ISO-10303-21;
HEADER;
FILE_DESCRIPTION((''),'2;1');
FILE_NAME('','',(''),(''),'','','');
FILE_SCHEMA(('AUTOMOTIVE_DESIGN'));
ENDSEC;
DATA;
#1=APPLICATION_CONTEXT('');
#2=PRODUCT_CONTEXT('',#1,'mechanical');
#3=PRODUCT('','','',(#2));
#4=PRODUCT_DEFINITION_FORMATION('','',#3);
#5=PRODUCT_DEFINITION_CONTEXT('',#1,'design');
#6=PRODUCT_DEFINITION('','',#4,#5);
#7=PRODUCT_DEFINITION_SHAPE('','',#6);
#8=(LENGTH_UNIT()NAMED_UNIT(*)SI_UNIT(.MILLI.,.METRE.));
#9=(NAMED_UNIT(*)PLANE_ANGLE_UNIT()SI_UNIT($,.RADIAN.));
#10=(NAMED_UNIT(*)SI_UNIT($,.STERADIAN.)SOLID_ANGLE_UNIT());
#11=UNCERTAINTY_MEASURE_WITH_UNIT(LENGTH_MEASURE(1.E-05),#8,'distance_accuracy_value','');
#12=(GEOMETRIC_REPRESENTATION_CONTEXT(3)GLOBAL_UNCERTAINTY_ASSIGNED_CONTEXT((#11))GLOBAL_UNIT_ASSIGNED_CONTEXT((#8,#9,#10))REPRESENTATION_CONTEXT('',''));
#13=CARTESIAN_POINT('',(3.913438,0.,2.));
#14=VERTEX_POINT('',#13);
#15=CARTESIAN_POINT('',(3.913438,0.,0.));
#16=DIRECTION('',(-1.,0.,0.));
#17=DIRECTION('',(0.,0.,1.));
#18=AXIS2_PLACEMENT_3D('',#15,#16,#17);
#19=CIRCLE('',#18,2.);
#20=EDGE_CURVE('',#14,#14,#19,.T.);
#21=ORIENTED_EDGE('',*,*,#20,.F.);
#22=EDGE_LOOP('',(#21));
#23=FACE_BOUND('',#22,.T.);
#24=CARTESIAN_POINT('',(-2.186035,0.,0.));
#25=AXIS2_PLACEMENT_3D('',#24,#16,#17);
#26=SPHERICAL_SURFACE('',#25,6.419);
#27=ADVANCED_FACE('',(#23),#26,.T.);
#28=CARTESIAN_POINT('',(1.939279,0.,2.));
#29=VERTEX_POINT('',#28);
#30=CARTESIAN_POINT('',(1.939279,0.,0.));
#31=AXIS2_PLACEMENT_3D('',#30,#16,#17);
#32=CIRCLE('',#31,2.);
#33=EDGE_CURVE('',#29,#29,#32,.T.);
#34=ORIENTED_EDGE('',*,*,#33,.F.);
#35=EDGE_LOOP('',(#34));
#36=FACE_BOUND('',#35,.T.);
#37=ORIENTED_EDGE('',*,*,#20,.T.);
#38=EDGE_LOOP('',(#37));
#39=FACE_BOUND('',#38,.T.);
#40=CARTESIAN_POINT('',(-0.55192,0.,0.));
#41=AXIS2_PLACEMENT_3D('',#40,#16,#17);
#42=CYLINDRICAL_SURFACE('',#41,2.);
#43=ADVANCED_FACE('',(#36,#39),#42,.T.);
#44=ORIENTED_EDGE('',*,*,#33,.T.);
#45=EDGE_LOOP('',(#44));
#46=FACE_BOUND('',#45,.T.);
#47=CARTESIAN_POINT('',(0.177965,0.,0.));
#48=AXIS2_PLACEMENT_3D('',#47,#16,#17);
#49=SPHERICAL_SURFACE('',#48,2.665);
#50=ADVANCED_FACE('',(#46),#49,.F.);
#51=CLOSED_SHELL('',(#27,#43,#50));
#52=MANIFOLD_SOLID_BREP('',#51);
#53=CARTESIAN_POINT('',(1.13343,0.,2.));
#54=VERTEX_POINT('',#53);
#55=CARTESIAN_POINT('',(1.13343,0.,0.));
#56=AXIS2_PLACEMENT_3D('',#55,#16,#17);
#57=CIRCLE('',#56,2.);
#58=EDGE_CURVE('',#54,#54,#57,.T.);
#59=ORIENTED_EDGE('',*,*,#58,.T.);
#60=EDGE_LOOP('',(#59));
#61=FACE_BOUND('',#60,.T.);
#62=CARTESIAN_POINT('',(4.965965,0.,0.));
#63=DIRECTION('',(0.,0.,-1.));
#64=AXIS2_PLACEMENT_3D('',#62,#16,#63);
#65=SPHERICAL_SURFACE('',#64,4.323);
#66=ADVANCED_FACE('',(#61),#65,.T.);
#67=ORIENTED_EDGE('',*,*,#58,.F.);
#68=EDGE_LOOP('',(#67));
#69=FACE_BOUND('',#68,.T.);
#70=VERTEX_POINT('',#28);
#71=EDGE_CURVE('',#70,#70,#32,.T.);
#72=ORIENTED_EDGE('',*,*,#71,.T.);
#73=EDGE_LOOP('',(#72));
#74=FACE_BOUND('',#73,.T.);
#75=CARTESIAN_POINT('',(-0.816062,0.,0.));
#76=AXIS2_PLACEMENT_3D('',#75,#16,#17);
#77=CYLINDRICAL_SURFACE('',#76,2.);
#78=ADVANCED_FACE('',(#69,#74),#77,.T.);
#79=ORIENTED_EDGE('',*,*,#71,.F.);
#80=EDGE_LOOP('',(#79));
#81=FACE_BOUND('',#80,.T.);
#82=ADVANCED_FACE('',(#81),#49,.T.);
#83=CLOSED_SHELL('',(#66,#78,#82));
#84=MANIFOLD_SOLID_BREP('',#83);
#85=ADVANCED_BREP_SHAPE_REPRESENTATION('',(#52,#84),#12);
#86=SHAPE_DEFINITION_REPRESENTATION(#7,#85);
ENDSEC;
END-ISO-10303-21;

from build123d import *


with BuildPart() as part:
    # 草图1 one side → 旋转1 (revolve)
    with BuildSketch(Plane(origin=(0, 0, 0), x_dir=(1, 0, 0), z_dir=(0, 1, 0)), mode=Mode.PRIVATE) as revolve_1_sk:
        with BuildLine():
            ThreePointArc((1.133429728, 2), (0.76737148, 1.029630437), (0.642965311, 0))
            Line((0.642965311, 0), (2.842965311, 0))
            ThreePointArc((2.842965311, 0), (2.606558041, 1.097343316), (1.939278742, 2))
            Line((1.939278742, 2), (1.133429728, 2))
        make_face()
    revolve(revolve_1_sk.sketch.rotate(Axis((-0.816062176, 0, 0), (1, 0, 0)), 180), axis=Axis((-0.816062176, 0, 0), (1, 0, 0)))  # turned: the seam where the file's is


with BuildPart() as body_2:
    # 草图2 one side → 旋转3 (revolve)
    with BuildSketch(Plane(origin=(0, 0, 0), x_dir=(1, 0, 0), z_dir=(0, 1, 0)), mode=Mode.PRIVATE) as revolve_3_sk:
        with BuildLine():
            Line((3.913437502, 2), (1.939278742, 2))
            ThreePointArc((1.939278742, 2), (2.606558041, 1.097343316), (2.842965311, 0))
            Line((2.842965311, 0), (4.232965311, 0))
            ThreePointArc((4.232965311, 0), (4.152580026, 1.012681838), (3.913437502, 2))
        make_face()
    revolve(revolve_3_sk.sketch.rotate(Axis((-0.551919993, 0, 0), (1, 0, 0)), 180), axis=Axis((-0.551919993, 0, 0), (1, 0, 0)))  # turned: the seam where the file's is


solid = Compound([part.part, body_2.part])
